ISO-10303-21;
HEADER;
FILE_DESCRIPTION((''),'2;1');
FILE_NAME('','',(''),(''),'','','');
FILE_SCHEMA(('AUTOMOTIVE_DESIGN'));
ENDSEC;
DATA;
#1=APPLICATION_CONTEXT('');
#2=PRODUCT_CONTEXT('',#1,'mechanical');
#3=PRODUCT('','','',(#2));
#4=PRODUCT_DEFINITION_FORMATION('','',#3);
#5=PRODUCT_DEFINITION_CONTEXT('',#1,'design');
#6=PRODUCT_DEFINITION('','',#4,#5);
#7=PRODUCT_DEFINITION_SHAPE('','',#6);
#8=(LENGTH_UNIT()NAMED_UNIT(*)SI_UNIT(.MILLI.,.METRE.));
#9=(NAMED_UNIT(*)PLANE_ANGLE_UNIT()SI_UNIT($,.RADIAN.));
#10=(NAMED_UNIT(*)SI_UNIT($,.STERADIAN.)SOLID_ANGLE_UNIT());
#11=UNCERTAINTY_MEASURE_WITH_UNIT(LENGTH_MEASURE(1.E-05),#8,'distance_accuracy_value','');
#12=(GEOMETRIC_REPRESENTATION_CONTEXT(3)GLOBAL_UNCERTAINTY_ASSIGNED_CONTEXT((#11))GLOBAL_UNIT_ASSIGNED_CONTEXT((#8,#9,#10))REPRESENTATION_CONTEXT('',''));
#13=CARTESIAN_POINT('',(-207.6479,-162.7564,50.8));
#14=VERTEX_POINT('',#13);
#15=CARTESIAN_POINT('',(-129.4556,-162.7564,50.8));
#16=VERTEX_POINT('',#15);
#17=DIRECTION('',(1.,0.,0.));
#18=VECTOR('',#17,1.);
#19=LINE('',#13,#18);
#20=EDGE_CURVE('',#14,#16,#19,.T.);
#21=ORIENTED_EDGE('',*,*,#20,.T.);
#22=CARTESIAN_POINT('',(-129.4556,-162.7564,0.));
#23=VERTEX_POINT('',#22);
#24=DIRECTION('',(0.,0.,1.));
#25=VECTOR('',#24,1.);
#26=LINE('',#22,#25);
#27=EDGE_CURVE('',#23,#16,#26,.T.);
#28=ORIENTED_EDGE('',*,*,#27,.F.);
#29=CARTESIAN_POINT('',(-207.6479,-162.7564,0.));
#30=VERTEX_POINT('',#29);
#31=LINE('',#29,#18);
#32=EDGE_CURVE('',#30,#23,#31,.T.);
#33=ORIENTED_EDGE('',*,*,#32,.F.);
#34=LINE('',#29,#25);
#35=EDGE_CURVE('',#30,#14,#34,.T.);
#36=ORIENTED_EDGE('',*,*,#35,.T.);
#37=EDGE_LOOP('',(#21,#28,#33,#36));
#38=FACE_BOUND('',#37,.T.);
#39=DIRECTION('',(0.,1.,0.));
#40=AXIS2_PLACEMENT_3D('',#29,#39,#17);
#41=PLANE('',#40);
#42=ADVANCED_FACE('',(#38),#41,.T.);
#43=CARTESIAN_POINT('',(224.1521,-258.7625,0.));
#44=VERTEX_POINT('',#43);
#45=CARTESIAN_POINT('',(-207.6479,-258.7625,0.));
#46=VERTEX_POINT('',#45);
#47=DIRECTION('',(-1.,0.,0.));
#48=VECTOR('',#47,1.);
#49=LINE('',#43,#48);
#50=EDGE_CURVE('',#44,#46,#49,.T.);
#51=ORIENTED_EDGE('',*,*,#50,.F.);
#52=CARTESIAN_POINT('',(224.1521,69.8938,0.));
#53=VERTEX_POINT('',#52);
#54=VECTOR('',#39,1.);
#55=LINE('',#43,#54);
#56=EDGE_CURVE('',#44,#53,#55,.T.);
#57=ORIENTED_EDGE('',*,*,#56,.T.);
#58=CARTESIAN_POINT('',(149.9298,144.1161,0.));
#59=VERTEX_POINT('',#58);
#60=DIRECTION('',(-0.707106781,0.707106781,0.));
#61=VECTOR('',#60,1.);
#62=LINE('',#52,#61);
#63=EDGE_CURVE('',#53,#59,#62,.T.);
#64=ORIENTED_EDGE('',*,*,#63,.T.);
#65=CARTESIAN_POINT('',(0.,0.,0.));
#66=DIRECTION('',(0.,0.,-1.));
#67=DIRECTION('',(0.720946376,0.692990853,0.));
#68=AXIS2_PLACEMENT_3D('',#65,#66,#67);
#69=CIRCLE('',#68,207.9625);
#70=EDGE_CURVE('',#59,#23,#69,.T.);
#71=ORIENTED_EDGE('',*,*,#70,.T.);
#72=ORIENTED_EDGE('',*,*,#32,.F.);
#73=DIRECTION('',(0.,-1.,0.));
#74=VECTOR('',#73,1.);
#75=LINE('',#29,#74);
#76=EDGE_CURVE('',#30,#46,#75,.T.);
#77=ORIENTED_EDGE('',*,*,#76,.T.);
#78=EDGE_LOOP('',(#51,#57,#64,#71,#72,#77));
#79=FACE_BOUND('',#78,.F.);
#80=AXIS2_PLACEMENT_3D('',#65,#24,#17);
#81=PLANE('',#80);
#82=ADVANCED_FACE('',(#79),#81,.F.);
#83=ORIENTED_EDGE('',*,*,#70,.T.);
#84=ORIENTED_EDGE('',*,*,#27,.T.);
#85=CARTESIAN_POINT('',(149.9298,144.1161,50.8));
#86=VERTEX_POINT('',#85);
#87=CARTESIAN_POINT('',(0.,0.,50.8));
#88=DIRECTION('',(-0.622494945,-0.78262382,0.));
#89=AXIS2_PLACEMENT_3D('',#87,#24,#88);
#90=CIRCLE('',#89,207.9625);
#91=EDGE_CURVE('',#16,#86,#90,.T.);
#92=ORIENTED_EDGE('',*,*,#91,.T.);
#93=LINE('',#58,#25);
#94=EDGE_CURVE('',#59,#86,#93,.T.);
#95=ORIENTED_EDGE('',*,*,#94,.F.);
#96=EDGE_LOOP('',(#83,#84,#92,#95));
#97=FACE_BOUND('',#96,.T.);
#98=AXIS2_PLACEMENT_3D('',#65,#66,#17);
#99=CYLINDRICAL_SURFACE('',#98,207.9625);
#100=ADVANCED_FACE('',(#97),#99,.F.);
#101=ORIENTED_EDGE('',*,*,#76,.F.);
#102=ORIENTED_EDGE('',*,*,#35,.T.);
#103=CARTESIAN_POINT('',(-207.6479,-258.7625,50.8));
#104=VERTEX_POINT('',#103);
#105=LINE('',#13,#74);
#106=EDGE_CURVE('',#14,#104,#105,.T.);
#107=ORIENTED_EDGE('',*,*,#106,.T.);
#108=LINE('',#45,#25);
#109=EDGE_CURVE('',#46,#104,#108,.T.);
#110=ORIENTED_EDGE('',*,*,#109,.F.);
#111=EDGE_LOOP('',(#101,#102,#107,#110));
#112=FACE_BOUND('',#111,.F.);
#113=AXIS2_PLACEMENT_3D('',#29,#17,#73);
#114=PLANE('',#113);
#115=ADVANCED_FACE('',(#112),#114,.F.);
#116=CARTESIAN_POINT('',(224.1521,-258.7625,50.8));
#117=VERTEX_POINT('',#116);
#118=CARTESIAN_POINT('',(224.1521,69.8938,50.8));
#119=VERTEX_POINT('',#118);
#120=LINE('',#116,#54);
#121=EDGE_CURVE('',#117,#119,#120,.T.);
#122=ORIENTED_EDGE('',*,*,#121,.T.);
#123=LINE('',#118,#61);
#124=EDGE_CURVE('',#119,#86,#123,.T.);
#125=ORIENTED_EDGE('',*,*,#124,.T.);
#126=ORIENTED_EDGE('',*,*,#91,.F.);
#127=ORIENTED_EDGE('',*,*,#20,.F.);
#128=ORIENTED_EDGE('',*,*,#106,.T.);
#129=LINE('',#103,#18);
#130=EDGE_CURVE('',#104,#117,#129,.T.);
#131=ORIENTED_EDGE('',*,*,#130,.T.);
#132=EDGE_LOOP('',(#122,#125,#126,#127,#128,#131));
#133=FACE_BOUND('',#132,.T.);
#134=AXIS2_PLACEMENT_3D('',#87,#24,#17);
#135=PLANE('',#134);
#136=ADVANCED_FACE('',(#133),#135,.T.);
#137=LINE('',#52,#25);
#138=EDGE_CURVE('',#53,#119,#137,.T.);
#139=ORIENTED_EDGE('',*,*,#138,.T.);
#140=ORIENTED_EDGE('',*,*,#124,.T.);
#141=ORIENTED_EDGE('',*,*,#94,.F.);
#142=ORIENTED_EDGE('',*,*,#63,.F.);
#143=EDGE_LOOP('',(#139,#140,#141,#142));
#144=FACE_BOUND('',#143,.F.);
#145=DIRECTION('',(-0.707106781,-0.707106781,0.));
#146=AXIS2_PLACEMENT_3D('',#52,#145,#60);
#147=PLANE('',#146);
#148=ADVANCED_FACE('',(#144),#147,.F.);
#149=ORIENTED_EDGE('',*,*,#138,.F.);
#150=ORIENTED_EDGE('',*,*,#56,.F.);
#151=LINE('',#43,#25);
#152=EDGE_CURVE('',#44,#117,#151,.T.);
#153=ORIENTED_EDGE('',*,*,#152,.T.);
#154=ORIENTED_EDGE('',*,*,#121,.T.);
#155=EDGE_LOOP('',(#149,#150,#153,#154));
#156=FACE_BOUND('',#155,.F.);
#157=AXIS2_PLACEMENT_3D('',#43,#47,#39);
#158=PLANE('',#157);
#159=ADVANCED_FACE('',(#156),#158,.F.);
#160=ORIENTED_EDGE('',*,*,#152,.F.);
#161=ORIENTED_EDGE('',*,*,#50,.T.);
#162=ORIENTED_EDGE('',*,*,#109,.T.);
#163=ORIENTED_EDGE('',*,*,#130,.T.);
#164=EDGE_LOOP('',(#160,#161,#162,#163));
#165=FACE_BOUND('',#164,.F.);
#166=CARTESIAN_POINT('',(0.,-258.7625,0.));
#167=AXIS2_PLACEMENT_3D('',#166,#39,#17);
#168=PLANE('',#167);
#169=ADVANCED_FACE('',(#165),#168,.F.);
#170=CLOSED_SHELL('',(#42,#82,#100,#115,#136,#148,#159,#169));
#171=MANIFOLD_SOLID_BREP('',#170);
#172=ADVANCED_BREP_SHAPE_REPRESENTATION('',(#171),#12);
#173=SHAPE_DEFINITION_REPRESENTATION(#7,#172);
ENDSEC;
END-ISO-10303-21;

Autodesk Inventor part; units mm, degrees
ref_plane "YZ Plane" through (0, 0, 0) normal (1, 0, 0) x (0, 1, 0)
ref_plane "XZ Plane" through (0, 0, 0) normal (0, 1, 0) x (-1, 0, 0)
ref_plane "XY Plane" through (0, 0, 0) normal (0, 0, 1) x (1, 0, 0)
sketch "Sketch1" plane through (0, 0, 0) normal (0, 0, 1) x (1, 0, 0)
  circle A0 centre (0, 0) radius 207.9625
  line L0 (-215.7457, 231.7761) -> (224.1521, 231.7761) construction
  line L1 (224.1521, 231.7761) -> (224.1521, -258.7625) construction
  line L2 (224.1521, -258.7625) -> (-207.6479, -258.7625) construction
  line L3 (0, 0) -> (294.0459, 0) construction
  line L4 (294.0459, 0) -> (62.2698, 231.7761) construction
  line L5 (294.0459, 0) -> (621.8269, 0) construction
  line L6 (-129.4556, -162.7564) -> (-480.3051, -162.7564) construction
  line L7 (-480.3051, -162.7564) -> (-480.3051, 0) construction
  line L8 (-480.3051, 0) -> (-129.4556, 0) construction
  line L9 (-129.4556, 0) -> (-129.4556, -162.7564) construction
  line L10 (62.2698, 231.7761) -> (294.0459, 0) construction
  line L11 (294.0459, 0) -> (599.7721, 305.7262)
  line L12 (599.7721, 305.7262) -> (367.996, 537.5023)
  line L13 (367.996, 537.5023) -> (62.2698, 231.7761)
  line L14 (-207.6479, -162.7564) -> (-207.6479, -258.7625)
  line L15 (-207.6479, -258.7625) -> (224.1521, -258.7625)
  line L16 (224.1521, -258.7625) -> (224.1521, 69.8938)
  line L17 (224.1521, 69.8938) -> (149.9298, 144.1161)
  line L18 (-207.6479, -162.7564) -> (-129.4556, -162.7564)
  line L19 (-207.6479, -258.7625) -> (-207.6479, -162.7564) construction
  line L20 (-215.7457, 0) -> (-215.7457, 231.7761) construction
  line L21 (0, -207.9625) -> (0, -258.7625)
  point P0 (-207.9625, 0)
  dimension "d0" = 415.925
  dimension "d3" = 135
  dimension "d6" = 431.8
  dimension "d7" = 50.8
extrude "Extrusion1" add sketch "Sketch1" along normal blind 50.8 contours A0 L17 L16 L15 L21 | L21 L15 L14 L18 A0
properties part number "main prototype"
